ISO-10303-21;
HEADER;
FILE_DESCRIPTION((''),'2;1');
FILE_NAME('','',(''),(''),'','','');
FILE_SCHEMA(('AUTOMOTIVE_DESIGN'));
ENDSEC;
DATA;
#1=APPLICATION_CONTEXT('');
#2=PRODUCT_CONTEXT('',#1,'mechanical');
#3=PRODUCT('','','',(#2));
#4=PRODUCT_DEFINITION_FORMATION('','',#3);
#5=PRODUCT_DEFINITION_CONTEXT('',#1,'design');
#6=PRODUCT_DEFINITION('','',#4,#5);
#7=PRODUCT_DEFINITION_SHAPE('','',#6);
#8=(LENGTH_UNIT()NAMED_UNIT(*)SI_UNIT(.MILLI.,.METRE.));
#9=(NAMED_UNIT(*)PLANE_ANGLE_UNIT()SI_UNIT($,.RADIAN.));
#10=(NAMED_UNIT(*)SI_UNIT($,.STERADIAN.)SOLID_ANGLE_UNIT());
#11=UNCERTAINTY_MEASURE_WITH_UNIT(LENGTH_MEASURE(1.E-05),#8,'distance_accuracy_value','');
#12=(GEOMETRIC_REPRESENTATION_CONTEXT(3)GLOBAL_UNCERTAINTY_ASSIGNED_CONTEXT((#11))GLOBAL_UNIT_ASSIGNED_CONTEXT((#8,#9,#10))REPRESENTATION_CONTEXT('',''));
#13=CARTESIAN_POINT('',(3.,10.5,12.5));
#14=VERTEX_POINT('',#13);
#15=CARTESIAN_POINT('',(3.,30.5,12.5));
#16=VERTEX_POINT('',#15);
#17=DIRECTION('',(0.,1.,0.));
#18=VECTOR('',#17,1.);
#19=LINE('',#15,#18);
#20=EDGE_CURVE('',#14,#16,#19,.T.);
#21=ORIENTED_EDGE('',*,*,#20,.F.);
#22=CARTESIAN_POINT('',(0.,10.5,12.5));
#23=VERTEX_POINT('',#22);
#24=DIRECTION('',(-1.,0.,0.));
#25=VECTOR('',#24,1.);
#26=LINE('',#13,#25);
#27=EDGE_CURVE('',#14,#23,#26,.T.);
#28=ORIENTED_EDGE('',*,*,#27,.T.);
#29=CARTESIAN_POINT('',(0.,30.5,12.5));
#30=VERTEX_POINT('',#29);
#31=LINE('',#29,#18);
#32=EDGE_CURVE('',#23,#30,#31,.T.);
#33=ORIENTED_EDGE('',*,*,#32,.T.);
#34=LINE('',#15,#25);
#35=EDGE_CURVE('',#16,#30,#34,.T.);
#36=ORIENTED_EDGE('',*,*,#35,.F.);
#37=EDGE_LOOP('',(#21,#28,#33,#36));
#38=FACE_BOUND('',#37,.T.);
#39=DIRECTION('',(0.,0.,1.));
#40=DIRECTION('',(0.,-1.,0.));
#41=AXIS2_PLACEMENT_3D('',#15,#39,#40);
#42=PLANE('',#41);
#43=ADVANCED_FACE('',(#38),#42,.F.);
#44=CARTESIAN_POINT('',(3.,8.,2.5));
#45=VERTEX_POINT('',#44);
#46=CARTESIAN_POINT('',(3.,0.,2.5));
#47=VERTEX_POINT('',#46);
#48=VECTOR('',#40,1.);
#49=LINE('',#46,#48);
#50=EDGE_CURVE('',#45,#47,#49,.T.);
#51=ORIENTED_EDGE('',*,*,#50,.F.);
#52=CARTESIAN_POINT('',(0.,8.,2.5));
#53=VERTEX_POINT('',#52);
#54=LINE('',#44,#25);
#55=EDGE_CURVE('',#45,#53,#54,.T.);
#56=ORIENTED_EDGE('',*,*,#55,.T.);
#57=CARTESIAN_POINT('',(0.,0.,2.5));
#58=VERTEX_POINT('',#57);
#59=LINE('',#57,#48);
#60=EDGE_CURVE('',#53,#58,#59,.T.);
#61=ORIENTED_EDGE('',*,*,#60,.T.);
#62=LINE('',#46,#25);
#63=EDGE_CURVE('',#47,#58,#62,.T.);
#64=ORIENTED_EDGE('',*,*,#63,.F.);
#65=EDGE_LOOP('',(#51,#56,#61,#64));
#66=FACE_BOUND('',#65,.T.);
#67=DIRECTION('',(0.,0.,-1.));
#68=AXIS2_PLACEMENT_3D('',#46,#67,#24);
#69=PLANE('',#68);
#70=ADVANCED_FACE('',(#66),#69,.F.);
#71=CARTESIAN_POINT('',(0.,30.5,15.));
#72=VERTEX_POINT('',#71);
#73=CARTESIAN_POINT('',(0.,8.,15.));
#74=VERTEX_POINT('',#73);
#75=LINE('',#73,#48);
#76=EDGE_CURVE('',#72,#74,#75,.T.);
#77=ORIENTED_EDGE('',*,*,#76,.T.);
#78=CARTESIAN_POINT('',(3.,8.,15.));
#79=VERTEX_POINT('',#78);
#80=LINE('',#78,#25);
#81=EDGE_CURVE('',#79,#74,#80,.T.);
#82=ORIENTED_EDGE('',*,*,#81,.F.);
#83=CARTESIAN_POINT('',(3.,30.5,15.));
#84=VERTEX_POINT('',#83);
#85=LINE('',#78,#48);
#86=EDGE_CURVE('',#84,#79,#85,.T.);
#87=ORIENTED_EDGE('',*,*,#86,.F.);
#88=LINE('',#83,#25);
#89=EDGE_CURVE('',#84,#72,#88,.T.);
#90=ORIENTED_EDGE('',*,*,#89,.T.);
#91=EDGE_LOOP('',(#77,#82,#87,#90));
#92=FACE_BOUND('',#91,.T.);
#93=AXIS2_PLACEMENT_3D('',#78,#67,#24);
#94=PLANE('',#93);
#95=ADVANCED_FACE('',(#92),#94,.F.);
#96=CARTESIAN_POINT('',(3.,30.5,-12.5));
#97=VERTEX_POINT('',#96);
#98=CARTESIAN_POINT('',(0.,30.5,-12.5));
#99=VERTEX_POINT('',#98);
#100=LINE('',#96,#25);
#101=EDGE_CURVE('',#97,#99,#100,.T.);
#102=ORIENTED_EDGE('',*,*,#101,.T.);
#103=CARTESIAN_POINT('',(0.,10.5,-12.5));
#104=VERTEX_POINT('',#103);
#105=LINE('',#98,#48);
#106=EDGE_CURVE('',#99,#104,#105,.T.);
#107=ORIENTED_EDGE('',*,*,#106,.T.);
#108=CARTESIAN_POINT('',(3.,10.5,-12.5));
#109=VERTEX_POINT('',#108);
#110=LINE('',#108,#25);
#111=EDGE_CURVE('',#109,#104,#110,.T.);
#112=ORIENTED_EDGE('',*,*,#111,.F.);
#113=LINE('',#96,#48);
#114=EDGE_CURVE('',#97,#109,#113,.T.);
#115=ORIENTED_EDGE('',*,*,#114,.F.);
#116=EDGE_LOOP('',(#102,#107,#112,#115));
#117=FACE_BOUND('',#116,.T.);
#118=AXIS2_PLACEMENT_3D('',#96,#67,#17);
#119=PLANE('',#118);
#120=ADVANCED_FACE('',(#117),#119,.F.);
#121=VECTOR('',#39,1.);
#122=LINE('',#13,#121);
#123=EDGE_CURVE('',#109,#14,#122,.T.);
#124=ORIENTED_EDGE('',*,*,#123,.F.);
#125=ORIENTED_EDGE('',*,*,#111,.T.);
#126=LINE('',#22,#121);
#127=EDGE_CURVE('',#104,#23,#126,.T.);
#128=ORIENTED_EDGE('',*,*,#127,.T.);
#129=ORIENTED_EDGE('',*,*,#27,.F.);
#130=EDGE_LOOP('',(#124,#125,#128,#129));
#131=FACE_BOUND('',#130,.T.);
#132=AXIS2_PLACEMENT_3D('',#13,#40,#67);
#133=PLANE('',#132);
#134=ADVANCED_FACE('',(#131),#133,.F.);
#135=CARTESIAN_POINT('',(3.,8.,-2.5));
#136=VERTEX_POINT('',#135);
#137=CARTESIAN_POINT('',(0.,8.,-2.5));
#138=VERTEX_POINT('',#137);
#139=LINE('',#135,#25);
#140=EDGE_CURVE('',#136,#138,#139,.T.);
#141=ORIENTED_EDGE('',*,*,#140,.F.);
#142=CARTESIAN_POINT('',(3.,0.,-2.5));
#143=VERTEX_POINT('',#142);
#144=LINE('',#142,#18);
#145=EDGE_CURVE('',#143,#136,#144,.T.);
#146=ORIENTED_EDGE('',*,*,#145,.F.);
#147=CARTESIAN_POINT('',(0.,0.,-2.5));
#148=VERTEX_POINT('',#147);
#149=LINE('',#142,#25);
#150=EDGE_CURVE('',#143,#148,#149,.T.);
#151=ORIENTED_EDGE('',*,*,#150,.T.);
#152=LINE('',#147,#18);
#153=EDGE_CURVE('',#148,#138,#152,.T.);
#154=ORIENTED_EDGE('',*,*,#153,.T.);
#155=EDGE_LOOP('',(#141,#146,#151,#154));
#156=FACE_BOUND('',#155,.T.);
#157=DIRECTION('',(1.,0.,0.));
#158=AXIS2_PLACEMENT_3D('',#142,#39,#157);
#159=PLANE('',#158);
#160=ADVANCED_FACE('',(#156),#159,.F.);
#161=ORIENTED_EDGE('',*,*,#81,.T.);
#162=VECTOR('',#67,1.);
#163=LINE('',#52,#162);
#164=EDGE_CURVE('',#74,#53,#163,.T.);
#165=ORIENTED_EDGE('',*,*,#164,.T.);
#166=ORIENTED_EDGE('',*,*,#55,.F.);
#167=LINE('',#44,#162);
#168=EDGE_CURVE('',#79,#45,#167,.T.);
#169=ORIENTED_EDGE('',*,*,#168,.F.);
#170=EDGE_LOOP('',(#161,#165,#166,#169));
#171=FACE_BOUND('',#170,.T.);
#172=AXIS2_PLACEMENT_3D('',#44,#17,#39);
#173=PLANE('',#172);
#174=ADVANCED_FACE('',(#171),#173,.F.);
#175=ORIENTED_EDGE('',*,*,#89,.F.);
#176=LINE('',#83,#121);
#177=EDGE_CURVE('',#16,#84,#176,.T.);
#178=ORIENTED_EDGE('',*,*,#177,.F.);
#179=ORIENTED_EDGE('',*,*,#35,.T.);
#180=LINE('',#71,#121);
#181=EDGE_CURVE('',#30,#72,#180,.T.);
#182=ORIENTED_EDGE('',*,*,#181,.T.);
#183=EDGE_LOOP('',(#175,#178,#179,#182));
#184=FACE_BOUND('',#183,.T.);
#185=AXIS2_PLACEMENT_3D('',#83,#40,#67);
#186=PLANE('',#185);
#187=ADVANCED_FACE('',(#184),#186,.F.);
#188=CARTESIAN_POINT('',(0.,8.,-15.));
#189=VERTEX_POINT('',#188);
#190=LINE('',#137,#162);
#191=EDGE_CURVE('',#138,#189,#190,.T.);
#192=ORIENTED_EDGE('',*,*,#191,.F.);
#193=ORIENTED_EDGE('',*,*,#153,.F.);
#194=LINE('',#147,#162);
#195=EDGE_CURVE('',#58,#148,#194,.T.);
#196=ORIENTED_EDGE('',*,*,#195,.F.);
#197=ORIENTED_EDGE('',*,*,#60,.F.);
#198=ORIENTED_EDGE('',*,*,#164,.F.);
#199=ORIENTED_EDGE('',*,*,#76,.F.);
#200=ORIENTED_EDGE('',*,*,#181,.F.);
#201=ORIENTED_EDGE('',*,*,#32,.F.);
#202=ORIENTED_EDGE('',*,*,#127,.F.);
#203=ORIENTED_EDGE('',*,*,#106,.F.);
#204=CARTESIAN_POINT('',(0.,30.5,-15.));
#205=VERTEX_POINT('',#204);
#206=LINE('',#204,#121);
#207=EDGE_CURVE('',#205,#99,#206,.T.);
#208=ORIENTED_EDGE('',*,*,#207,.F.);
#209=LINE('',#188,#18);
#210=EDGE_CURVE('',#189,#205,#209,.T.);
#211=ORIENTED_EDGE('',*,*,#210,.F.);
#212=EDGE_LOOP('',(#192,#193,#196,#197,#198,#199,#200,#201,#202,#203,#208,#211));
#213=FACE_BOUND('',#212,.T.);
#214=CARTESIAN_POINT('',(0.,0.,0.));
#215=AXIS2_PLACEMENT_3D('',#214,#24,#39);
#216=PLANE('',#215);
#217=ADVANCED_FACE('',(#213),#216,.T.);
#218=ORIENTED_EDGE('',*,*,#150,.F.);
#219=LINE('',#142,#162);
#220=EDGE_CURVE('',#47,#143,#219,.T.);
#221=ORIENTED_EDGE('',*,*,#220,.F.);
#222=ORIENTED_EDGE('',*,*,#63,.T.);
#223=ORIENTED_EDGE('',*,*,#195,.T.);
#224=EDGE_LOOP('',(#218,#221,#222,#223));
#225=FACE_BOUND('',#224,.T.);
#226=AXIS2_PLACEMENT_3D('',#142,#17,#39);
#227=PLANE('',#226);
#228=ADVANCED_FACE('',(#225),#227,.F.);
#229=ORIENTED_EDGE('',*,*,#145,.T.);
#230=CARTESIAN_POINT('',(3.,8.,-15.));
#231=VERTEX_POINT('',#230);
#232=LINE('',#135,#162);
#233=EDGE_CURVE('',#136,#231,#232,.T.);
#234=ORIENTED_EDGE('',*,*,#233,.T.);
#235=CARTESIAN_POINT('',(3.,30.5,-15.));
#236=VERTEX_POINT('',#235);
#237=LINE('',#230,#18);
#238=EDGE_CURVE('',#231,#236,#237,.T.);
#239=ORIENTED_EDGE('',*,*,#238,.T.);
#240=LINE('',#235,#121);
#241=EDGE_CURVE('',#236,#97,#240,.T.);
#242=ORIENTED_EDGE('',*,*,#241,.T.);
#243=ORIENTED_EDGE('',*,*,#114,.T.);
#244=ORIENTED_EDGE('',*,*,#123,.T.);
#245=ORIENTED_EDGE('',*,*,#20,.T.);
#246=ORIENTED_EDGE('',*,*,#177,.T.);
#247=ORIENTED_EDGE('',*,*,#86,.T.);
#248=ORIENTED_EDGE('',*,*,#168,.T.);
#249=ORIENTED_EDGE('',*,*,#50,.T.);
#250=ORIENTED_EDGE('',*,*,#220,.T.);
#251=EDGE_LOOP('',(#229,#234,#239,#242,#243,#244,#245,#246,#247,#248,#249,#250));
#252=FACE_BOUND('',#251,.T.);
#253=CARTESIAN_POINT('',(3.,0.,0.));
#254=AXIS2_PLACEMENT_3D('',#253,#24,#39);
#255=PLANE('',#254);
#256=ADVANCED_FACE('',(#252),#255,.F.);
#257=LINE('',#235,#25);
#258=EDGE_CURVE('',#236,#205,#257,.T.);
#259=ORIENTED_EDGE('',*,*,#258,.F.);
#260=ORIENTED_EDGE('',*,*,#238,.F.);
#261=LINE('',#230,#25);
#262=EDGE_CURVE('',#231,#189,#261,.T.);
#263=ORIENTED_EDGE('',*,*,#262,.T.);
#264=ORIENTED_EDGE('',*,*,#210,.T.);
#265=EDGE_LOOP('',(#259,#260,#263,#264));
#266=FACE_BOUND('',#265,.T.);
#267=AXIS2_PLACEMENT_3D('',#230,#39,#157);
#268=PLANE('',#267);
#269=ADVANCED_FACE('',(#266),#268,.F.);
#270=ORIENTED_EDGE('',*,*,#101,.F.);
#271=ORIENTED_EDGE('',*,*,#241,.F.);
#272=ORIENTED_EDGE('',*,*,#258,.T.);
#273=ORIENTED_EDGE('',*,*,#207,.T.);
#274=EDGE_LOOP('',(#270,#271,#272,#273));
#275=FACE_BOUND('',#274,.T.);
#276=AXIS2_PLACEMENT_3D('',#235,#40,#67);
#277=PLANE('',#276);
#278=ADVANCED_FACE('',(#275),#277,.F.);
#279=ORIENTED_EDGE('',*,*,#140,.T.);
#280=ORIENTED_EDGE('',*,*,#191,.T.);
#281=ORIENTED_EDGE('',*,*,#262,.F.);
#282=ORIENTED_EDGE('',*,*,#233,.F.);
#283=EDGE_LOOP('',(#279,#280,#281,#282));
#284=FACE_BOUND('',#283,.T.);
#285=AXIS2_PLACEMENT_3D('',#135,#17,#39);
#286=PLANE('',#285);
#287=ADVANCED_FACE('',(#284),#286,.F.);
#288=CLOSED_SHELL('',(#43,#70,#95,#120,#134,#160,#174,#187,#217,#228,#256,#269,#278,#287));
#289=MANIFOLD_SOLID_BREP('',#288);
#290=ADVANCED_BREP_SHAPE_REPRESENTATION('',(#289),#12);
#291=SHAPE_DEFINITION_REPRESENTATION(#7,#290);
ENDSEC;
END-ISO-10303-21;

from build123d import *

# Parameters (mm, degrees)
BOSS_EXTRUDE1_DEPTH = 3


with BuildPart() as part:
    # Sketch1 → Boss-Extrude1 (new body)
    with BuildSketch(Plane(origin=(0, 0, 0), x_dir=(0, 0, -1), z_dir=(1, 0, 0))):
        Polygon((2.5, 0), (-2.5, 0), (-2.5, 8), (-15, 8), (-15, 30.5), (-12.5, 30.5), (-12.5, 10.5), (12.5, 10.5), (12.5, 30.5), (15, 30.5), (15, 8), (2.5, 8), align=None)
    extrude(amount=BOSS_EXTRUDE1_DEPTH)


solid = part.part
